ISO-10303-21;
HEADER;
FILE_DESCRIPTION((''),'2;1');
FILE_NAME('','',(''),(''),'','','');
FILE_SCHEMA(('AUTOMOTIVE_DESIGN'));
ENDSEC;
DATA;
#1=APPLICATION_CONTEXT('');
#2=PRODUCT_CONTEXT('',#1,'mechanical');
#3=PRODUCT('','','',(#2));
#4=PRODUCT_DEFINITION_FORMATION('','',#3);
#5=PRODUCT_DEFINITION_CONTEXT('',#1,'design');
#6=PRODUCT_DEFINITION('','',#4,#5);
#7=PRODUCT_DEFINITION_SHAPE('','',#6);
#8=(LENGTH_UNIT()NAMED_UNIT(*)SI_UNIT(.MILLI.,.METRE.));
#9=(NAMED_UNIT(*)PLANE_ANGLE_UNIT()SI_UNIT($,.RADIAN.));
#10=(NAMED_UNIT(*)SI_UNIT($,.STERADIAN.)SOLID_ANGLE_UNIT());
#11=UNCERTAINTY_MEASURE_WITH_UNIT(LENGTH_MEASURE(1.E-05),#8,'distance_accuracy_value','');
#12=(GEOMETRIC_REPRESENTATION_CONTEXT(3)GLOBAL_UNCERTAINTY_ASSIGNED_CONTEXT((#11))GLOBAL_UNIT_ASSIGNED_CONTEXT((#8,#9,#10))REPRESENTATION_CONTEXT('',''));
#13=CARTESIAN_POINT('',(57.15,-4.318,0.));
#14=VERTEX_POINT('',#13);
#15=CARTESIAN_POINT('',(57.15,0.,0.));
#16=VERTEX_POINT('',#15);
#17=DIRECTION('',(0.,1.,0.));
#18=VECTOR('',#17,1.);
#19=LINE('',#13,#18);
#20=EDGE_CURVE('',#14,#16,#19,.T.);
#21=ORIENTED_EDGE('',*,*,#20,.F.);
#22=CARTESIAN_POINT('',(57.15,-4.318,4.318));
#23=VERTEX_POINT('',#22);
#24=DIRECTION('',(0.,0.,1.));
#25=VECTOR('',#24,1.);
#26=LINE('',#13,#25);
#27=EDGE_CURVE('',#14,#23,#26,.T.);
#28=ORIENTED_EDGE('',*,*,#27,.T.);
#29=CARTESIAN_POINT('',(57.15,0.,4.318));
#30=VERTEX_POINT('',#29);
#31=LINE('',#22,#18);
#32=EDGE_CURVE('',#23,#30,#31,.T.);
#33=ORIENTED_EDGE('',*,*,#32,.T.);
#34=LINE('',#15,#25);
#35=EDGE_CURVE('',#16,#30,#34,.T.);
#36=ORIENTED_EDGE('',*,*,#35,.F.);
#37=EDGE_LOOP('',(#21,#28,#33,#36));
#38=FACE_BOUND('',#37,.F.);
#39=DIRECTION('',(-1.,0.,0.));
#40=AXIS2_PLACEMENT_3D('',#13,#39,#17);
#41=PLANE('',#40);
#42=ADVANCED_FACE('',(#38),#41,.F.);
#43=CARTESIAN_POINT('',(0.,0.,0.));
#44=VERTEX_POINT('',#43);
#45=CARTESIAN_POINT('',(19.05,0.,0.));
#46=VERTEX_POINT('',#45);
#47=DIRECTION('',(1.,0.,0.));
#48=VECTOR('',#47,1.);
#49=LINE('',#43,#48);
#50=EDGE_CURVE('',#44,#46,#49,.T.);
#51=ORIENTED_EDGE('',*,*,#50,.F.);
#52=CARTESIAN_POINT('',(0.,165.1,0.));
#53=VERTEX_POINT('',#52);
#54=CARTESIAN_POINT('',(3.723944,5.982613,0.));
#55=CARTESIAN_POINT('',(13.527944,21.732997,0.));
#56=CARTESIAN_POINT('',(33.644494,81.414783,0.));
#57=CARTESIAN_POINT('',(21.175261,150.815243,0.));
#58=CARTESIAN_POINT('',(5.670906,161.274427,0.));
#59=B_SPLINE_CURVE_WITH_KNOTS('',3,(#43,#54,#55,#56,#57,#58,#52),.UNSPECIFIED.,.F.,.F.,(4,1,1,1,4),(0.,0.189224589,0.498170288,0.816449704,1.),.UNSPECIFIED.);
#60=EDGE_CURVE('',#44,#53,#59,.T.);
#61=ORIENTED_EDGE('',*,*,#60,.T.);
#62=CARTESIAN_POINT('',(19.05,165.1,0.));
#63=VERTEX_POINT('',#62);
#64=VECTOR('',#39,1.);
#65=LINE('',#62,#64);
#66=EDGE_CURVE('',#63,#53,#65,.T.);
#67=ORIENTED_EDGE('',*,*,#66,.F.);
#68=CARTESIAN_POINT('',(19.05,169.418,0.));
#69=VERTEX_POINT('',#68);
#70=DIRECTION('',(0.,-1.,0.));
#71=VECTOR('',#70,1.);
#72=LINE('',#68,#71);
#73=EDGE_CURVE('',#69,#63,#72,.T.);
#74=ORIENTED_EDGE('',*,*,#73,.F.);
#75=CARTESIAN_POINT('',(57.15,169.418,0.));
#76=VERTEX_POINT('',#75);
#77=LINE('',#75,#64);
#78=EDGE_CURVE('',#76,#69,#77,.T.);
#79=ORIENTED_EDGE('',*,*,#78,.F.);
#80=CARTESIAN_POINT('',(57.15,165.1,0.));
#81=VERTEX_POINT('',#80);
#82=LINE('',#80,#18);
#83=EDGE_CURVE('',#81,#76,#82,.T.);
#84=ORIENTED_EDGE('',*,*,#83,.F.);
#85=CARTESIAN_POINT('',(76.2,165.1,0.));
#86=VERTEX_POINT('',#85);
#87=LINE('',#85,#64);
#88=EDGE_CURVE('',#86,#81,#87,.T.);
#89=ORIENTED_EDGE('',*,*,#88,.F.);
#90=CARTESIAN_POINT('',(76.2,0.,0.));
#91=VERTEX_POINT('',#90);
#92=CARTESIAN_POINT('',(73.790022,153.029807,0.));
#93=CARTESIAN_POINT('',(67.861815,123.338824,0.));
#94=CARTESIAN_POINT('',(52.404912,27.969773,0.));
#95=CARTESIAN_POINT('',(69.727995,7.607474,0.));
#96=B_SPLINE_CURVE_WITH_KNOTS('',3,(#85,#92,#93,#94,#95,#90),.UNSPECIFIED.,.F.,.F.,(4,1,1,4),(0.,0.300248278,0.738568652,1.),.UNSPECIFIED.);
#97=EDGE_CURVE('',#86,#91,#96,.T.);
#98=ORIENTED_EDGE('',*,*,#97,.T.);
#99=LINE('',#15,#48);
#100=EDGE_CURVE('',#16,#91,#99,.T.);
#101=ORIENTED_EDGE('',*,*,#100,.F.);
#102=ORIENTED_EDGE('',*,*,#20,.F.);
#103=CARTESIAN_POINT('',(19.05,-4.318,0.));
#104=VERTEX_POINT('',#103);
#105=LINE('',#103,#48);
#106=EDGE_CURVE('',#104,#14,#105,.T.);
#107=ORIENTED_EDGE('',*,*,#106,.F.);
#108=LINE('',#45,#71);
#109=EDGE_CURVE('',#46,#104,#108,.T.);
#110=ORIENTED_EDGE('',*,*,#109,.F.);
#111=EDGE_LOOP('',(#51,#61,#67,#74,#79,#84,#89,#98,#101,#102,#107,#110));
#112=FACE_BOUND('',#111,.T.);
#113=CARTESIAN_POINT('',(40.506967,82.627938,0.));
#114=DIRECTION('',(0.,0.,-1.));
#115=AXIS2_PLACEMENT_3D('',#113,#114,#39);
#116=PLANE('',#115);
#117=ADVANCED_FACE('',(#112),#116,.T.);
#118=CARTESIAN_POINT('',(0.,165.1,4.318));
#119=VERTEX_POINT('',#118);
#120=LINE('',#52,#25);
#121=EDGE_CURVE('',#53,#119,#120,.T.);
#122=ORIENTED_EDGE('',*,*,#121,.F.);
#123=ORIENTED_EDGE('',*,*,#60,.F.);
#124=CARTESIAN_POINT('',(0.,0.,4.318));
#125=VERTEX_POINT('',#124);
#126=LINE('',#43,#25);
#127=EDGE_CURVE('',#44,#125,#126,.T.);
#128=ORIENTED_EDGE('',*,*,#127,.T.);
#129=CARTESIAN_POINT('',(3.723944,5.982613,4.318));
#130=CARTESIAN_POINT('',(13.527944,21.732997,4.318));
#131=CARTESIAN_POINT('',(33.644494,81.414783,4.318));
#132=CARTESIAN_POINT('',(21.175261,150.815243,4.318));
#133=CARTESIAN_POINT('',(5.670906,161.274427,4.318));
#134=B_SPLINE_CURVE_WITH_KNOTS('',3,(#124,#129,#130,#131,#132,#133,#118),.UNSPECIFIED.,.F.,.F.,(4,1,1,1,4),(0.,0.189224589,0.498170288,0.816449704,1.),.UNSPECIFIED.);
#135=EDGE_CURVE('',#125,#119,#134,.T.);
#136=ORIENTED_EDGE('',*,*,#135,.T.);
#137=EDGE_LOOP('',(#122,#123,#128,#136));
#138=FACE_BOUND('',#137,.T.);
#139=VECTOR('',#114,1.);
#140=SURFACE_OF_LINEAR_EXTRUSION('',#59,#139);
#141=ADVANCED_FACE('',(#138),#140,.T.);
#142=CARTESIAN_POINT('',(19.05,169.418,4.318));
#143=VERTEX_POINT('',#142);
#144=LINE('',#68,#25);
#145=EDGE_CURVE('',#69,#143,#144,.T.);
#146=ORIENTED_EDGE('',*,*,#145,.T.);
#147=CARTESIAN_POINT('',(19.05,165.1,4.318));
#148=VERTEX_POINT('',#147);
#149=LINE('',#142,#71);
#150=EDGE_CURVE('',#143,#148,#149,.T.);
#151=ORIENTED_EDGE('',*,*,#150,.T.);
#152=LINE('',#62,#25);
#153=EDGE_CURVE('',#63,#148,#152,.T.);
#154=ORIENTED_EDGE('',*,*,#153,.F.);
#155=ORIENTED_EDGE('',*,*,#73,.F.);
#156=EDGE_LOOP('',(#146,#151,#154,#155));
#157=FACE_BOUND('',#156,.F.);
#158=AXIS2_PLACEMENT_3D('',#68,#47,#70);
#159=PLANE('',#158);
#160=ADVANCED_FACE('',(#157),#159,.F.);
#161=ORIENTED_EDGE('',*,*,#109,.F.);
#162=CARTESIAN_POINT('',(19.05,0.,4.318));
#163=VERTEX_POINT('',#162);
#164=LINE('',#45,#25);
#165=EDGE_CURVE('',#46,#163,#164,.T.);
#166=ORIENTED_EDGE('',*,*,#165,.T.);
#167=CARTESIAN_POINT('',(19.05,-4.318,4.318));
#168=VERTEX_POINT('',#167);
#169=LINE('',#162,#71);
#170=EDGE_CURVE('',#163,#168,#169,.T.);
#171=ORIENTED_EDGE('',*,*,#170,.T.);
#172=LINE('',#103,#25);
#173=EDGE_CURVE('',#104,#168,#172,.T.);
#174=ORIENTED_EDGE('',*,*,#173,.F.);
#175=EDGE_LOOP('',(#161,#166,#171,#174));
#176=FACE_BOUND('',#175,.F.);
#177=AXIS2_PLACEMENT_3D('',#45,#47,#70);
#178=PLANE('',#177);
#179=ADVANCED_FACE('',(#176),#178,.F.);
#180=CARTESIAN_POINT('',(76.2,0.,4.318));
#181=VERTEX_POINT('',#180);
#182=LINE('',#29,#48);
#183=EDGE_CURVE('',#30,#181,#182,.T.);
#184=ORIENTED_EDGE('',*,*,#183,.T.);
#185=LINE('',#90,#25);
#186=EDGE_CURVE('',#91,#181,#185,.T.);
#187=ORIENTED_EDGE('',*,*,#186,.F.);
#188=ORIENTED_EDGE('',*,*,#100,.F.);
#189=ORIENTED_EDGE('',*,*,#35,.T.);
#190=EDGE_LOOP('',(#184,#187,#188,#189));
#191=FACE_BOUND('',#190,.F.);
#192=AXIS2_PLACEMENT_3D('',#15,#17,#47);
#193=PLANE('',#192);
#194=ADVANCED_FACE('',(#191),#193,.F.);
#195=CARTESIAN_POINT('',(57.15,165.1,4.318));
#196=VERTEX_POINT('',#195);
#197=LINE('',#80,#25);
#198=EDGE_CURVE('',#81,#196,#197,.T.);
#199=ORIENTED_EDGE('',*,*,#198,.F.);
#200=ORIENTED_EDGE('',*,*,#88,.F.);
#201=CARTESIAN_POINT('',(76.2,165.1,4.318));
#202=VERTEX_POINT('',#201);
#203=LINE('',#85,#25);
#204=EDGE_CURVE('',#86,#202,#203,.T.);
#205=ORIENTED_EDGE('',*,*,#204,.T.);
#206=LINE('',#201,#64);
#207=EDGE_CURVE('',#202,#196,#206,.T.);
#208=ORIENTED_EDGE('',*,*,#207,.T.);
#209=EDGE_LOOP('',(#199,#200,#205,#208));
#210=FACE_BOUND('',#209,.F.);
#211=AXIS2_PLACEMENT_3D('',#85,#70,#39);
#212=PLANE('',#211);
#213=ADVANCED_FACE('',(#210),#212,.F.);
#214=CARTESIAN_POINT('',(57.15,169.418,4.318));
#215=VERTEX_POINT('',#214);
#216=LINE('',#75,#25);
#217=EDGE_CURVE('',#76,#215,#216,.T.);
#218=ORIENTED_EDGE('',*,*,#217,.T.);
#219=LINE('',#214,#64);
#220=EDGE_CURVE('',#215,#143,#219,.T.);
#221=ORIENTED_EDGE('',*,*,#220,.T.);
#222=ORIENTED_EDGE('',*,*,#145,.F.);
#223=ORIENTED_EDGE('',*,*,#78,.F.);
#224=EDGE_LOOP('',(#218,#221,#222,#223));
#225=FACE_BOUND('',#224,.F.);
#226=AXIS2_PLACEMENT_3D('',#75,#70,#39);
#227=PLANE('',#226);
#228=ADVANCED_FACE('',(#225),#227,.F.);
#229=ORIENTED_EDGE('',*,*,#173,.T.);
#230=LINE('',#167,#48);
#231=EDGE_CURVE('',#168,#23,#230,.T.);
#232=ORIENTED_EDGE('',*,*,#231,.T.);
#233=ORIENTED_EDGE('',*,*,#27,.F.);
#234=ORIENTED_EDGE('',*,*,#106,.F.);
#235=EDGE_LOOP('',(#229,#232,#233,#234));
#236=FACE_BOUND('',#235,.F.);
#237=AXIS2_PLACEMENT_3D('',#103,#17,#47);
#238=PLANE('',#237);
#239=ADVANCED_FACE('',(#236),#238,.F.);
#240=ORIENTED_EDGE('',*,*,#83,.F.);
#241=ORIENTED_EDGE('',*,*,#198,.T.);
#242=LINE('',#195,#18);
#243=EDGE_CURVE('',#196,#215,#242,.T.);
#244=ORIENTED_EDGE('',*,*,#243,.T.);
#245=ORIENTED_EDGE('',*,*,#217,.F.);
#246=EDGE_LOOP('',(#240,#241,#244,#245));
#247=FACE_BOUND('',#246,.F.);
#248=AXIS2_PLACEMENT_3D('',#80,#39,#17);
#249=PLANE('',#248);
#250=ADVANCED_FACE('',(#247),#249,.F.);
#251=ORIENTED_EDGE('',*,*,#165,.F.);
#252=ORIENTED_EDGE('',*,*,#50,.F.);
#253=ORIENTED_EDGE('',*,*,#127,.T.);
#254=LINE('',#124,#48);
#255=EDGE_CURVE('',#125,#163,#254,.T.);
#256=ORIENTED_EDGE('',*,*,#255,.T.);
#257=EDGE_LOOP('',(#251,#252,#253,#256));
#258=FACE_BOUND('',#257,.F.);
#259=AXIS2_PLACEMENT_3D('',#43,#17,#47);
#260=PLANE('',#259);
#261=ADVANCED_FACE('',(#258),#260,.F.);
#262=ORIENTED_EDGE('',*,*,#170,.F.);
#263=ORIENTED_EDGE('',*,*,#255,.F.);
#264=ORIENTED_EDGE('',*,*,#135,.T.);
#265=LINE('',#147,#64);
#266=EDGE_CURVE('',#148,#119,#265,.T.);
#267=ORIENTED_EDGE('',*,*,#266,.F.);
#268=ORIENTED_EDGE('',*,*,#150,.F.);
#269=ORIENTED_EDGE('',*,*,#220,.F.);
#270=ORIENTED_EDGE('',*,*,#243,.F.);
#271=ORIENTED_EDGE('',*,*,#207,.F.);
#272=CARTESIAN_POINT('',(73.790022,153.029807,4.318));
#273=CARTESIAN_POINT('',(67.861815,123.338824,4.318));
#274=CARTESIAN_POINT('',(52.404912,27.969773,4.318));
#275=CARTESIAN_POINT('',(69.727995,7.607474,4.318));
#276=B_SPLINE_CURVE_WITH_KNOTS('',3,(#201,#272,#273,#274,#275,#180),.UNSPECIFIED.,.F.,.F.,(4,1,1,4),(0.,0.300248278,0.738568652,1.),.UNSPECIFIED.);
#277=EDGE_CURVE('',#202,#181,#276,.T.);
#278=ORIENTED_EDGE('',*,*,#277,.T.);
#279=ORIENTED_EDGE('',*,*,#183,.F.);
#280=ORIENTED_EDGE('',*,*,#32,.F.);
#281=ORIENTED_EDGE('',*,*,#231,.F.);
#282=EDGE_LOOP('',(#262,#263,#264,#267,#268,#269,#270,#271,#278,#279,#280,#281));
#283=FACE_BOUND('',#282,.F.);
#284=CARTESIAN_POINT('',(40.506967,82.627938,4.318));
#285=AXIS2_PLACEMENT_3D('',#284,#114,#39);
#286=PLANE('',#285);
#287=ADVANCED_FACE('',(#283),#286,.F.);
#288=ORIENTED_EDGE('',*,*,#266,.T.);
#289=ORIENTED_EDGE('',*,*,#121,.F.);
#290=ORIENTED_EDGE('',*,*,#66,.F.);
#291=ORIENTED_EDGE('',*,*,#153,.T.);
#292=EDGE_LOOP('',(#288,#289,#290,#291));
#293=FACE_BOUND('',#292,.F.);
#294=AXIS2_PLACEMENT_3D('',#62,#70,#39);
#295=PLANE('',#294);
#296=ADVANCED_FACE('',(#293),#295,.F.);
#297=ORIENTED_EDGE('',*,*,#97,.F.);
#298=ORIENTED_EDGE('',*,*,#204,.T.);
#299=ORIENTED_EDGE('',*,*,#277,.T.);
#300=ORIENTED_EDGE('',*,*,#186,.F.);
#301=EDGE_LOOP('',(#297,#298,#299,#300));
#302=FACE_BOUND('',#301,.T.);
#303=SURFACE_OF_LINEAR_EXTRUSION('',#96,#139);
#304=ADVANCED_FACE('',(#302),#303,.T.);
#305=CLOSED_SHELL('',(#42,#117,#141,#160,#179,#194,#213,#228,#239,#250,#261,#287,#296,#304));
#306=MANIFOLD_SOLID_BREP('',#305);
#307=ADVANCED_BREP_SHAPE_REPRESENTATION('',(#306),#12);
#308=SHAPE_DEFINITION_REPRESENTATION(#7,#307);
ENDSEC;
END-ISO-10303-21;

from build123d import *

# Parameters (mm, degrees)
F1_DEPTH = 4.318


with BuildPart() as f1:
    # F0 (on Top) → F1 (new body)
    with BuildSketch(Plane.XY):
        with BuildLine():
            add(Edge.make_bspline(
                [(0, 0), (3.7239435602, 5.9826129798), (13.5279444344, 21.7329974678), (33.6444944528, 81.4147827759), (21.1752610202, 150.8152430484), (5.6709057406, 161.2744268407), (0, 165.1)],
                knots=[0, 0, 0, 0, 0.189224589, 0.4981702881, 0.8164497045, 1, 1, 1, 1], degree=3))
            Line((0, 0), (19.05, 0))
            Line((19.05, 0), (19.05, -4.318))
            Line((19.05, -4.318), (57.15, -4.318))
            Line((57.15, -4.318), (57.15, 0))
            Line((57.15, 0), (76.2, 0))
            add(Edge.make_bspline(
                [(76.2, 165.1), (73.7900221631, 153.0298067545), (67.8618146993, 123.3388242929), (52.4049122742, 27.9697730912), (69.7279947616, 7.6074742842), (76.2, 0)],
                knots=[0, 0, 0, 0, 0.3002482778, 0.7385686517, 1, 1, 1, 1], degree=3))
            Line((76.2, 165.1), (57.15, 165.1))
            Line((57.15, 165.1), (57.15, 169.418))
            Line((57.15, 169.418), (19.05, 169.418))
            Line((19.05, 169.418), (19.05, 165.1))
            Line((19.05, 165.1), (0, 165.1))
        make_face()
    extrude(amount=F1_DEPTH)


solid = f1.part
